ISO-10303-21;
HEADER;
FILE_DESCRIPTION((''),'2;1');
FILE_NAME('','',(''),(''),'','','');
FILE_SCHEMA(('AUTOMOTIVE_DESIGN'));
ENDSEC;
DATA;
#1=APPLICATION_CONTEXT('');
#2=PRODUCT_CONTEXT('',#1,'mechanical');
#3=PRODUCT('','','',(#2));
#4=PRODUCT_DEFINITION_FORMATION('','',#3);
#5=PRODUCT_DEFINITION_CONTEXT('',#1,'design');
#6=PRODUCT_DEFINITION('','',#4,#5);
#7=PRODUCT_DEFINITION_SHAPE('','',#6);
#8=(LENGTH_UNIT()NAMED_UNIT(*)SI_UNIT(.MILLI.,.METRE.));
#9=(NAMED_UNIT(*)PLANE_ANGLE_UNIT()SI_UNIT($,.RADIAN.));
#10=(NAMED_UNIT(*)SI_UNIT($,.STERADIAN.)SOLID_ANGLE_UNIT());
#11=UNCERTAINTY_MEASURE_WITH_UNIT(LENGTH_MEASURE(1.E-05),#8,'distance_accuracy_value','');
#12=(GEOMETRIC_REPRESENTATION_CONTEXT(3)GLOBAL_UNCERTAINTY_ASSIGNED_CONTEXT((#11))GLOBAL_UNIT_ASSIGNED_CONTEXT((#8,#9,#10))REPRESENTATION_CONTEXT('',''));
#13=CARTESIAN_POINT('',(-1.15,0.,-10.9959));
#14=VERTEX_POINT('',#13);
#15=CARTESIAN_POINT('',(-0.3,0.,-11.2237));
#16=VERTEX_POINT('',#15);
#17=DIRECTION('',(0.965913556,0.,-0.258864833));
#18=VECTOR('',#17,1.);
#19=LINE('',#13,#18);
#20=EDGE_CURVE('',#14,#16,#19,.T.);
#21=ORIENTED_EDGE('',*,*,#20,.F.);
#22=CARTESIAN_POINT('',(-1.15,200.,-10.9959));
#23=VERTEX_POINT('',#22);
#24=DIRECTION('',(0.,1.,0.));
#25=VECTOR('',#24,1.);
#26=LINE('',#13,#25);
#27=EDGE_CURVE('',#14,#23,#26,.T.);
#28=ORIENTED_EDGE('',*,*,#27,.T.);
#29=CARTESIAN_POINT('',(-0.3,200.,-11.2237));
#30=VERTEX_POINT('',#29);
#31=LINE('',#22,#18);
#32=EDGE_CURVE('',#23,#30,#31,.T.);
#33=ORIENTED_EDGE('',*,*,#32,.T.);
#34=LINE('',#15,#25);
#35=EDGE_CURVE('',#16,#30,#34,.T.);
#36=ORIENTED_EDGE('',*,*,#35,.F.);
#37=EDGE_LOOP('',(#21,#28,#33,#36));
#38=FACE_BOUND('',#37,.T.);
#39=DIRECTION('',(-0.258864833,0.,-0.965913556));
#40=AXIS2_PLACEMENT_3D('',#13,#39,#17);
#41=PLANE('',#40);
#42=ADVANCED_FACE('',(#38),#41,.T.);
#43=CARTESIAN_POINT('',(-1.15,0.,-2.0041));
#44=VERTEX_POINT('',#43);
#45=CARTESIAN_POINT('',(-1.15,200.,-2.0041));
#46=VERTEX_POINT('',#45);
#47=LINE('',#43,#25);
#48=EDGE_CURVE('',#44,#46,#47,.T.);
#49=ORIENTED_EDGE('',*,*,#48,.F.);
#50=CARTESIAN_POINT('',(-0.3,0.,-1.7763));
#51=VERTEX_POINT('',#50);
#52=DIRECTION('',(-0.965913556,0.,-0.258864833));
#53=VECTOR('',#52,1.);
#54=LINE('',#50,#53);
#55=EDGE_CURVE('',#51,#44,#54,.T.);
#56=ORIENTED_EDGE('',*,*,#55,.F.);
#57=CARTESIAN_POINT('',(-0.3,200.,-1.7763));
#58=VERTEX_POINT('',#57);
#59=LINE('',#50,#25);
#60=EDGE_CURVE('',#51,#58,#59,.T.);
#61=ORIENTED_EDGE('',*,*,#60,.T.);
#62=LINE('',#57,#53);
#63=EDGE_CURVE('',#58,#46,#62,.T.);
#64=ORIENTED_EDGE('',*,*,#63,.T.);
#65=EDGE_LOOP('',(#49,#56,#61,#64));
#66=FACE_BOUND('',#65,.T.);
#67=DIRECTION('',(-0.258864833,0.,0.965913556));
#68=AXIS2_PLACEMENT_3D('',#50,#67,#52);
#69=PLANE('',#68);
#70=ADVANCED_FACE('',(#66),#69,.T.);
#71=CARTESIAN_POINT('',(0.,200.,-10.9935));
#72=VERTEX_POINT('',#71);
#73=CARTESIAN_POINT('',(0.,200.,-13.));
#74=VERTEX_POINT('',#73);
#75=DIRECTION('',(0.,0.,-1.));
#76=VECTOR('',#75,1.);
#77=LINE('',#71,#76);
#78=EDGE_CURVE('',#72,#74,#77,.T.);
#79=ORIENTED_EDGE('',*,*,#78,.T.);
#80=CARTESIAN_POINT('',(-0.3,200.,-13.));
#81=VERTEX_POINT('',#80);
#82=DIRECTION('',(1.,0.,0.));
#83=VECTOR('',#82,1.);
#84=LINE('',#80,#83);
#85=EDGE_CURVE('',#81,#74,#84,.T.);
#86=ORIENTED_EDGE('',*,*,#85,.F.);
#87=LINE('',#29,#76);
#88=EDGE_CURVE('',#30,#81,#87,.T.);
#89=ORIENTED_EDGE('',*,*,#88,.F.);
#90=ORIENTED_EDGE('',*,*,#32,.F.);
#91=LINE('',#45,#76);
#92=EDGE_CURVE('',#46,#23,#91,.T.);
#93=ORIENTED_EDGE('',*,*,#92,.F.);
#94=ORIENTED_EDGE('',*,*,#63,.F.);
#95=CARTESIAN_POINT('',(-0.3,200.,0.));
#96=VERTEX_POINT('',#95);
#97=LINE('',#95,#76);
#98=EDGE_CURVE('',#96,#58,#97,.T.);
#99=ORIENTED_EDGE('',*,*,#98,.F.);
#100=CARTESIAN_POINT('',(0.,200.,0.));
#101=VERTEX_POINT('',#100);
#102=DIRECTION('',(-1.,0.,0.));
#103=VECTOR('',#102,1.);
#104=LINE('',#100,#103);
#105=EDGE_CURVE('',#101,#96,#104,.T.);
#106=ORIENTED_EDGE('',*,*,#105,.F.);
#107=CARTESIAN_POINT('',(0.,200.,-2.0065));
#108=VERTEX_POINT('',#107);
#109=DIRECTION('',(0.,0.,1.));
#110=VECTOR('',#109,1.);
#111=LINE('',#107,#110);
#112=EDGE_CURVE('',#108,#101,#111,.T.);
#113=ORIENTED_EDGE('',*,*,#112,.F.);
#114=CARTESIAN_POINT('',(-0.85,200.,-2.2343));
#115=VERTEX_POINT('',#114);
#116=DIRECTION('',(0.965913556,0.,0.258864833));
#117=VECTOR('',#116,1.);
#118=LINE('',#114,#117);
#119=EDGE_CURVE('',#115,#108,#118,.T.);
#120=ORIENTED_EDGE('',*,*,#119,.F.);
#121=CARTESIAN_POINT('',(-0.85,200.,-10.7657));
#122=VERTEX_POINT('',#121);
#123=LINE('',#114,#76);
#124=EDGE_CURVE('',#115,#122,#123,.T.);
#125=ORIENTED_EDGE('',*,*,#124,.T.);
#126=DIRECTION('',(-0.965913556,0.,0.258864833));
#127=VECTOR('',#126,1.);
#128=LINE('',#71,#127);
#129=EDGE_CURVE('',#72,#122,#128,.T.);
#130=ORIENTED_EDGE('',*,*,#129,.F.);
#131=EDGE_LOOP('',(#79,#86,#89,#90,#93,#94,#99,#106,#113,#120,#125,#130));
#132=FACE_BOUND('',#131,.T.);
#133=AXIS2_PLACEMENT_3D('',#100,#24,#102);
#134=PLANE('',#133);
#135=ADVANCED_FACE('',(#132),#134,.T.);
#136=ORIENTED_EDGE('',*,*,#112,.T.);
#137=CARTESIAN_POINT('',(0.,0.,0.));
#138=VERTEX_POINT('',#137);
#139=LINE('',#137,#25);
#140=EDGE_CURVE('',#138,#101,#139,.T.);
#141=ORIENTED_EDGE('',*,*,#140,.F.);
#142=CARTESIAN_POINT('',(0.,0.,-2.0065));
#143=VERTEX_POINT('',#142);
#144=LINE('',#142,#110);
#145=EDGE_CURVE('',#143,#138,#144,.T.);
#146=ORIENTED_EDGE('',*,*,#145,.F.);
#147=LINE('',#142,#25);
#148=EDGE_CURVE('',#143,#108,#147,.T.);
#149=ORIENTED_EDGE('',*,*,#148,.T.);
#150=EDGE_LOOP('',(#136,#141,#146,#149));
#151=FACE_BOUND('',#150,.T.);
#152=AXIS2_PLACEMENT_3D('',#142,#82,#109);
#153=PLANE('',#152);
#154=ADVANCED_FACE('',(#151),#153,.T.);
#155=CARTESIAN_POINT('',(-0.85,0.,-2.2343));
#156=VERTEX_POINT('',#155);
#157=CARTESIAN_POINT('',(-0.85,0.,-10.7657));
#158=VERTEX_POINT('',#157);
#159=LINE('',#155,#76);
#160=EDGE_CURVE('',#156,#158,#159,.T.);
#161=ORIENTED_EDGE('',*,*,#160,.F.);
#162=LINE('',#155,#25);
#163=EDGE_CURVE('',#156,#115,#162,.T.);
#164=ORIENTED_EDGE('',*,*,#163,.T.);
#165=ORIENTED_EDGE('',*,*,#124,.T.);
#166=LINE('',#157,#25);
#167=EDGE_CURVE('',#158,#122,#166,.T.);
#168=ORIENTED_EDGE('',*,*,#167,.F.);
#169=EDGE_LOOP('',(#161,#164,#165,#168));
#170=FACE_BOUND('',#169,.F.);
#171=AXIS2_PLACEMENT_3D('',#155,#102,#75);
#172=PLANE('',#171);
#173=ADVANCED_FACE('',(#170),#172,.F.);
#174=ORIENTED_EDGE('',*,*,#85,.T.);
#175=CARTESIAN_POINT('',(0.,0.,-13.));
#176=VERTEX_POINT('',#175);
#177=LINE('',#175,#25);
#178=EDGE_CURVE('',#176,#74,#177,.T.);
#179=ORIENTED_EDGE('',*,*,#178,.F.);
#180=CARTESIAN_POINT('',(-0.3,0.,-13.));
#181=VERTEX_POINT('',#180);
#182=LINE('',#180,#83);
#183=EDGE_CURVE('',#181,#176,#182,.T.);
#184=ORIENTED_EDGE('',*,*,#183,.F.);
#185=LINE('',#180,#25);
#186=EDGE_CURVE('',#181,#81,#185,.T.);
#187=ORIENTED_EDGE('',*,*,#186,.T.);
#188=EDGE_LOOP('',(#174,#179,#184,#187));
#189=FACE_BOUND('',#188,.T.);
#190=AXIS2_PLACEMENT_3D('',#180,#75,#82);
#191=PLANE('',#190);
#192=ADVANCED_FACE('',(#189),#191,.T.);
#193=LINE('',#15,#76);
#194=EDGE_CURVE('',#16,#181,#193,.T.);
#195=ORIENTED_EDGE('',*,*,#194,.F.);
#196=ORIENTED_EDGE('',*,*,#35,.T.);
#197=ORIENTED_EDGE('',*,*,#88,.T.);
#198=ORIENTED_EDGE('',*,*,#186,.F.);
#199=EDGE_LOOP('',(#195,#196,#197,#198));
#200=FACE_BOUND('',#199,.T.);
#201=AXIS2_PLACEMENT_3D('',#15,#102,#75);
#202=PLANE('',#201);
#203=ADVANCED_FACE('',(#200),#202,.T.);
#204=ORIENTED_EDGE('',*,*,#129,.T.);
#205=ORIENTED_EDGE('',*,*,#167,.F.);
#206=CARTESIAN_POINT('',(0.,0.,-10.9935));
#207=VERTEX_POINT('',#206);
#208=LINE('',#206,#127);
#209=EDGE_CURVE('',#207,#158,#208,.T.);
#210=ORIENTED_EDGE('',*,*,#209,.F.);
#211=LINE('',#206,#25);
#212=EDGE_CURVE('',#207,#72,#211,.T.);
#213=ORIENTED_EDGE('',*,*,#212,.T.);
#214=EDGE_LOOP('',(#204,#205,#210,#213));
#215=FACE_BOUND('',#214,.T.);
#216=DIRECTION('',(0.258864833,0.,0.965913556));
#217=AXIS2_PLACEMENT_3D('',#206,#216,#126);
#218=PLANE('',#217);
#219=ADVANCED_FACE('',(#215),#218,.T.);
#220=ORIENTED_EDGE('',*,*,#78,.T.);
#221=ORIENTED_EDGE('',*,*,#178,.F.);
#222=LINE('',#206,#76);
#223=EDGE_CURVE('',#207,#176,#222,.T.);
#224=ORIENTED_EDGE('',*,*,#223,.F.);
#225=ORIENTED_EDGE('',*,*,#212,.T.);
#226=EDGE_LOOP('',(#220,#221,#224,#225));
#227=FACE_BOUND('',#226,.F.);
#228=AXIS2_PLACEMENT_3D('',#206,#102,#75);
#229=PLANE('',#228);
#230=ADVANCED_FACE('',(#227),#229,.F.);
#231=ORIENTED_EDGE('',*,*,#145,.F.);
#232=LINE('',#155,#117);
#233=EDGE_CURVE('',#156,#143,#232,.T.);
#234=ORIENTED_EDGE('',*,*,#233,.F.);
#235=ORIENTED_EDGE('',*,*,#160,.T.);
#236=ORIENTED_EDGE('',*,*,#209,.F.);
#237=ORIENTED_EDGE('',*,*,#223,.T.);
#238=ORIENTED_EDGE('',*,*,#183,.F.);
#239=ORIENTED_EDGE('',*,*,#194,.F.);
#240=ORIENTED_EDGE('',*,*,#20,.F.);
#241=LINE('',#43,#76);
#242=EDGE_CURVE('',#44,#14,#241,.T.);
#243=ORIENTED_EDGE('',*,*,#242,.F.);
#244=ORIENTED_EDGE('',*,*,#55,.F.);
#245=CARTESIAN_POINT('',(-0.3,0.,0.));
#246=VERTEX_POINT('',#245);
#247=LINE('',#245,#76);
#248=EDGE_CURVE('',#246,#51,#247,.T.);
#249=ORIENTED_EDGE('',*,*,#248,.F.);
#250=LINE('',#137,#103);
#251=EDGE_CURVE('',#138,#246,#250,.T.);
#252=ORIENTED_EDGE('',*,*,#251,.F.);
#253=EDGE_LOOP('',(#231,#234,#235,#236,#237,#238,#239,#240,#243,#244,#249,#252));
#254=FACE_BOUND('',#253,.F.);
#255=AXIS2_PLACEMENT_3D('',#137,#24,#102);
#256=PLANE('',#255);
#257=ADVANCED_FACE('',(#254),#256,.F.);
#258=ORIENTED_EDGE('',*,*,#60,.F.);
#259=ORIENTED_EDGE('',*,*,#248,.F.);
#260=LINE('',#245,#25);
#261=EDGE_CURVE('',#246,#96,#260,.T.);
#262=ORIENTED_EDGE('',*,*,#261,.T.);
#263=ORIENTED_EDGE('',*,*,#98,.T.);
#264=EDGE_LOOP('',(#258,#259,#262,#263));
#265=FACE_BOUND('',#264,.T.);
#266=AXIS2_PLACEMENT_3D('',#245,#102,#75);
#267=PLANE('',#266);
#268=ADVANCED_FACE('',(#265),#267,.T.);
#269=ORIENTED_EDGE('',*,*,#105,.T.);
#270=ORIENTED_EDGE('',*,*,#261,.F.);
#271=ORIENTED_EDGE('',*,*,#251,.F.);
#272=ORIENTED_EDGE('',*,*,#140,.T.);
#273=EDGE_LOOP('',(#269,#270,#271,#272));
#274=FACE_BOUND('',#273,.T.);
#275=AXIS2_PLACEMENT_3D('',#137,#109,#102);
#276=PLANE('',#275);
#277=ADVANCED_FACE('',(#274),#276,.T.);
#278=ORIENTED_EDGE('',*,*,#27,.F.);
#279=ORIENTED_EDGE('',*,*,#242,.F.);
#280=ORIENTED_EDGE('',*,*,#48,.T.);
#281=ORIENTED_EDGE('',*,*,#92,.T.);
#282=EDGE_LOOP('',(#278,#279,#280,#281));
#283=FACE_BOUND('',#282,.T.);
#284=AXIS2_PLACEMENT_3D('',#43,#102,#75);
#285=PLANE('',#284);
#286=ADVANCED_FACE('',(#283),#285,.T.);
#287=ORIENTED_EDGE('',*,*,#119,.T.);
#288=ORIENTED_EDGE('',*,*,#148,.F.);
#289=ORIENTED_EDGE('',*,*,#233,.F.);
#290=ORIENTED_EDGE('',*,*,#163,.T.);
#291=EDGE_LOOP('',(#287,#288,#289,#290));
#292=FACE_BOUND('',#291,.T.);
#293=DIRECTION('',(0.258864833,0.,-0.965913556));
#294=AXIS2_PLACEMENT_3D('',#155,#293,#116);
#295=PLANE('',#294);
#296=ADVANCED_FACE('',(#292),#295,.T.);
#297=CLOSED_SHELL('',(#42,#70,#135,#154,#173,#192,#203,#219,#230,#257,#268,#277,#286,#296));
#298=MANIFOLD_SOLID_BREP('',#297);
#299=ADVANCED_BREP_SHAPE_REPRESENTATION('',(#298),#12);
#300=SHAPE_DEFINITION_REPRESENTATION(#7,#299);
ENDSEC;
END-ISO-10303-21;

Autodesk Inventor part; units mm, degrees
ref_plane "YZ Plane" through (0, 0, 0) normal (1, 0, 0) x (0, 1, 0)
ref_plane "XZ Plane" through (0, 0, 0) normal (0, 1, 0) x (-1, 0, 0)
ref_plane "XY Plane" through (0, 0, 0) normal (0, 0, 1) x (1, 0, 0)
sketch "Skizze1" plane through (0, 0, 0) normal (0, 1, 0) x (-1, 0, 0)
  line L0 (0, 0) -> (1.15, 0) construction
  line L1 (1.15, 0) -> (1.15, -13) construction
  line L2 (1.15, -13) -> (0, -13) construction
  line L3 (0, -13) -> (0, 0) construction
  line L4 (0, -6.5) -> (1.15, -6.5) construction
  line L5 (0.575, -1.85) -> (0.575, -11.15) construction
  line L6 (0.3, -1.7763) -> (1.15, -2.0041) construction
  line L7 (0.85, -2.2343) -> (0, -2.0065) construction
  line L8 (0.3, 0) -> (0.3, -1.7763)
  line L9 (0.3, -11.2237) -> (1.15, -10.9959) construction
  line L10 (0, -10.9935) -> (0.85, -10.7657) construction
  line L11 (0.3, -11.2237) -> (0.3, -13)
  line L12 (0.85, -2.2343) -> (0.85, -10.7657)
  line L13 (0, 0) -> (0.3, 0)
  line L14 (0.3, -1.7763) -> (1.15, -2.0041)
  line L15 (1.15, -10.9959) -> (0.3, -11.2237)
  line L16 (0.3, -13) -> (0, -13)
  line L17 (0, -10.9935) -> (0.85, -10.7657)
  line L18 (0.85, -2.2343) -> (0, -2.0065)
  line L19 (1.15, -2.0041) -> (1.15, -10.9959)
  line L20 (0, -2.0065) -> (0, 0)
  line L21 (0, -10.9935) -> (0, -13)
  point P0 (0.575, -6.5)
  dimension "d0" = 1.15
  dimension "d1" = 13
  dimension "d4" = 9.3
  dimension "d7" = 75
  dimension "d8" = 0.3
  dimension "d9" = 0.3
  dimension "d10" = 75
  dimension "d11" = 0.3
  dimension "d12" = 0.3
extrude "Extrusion1" add sketch "Skizze1" along normal blind 200
equation "\"Biegeradius\" = Stärke"
equation "\"BreiteBiegungsfreistellung\" = Stärke"
equation "\"TiefeBiegungsfreistellung\" = 0.5 * Stärke"
equation "\"GrößeEckenfreistellung\" = 4 * Stärke"
equation "\"MinimalRest\" = 2 * Stärke"
equation "\"Übergangsradius\" = Biegeradius"
equation "\"JacobiRadiusGröße\" = Biegeradius"
equation "\"Abstandsgröße\" = Stärke"
equation "\"Stärke\" = 0.5"
properties part number "Koffer_ankerschiene_2m"
